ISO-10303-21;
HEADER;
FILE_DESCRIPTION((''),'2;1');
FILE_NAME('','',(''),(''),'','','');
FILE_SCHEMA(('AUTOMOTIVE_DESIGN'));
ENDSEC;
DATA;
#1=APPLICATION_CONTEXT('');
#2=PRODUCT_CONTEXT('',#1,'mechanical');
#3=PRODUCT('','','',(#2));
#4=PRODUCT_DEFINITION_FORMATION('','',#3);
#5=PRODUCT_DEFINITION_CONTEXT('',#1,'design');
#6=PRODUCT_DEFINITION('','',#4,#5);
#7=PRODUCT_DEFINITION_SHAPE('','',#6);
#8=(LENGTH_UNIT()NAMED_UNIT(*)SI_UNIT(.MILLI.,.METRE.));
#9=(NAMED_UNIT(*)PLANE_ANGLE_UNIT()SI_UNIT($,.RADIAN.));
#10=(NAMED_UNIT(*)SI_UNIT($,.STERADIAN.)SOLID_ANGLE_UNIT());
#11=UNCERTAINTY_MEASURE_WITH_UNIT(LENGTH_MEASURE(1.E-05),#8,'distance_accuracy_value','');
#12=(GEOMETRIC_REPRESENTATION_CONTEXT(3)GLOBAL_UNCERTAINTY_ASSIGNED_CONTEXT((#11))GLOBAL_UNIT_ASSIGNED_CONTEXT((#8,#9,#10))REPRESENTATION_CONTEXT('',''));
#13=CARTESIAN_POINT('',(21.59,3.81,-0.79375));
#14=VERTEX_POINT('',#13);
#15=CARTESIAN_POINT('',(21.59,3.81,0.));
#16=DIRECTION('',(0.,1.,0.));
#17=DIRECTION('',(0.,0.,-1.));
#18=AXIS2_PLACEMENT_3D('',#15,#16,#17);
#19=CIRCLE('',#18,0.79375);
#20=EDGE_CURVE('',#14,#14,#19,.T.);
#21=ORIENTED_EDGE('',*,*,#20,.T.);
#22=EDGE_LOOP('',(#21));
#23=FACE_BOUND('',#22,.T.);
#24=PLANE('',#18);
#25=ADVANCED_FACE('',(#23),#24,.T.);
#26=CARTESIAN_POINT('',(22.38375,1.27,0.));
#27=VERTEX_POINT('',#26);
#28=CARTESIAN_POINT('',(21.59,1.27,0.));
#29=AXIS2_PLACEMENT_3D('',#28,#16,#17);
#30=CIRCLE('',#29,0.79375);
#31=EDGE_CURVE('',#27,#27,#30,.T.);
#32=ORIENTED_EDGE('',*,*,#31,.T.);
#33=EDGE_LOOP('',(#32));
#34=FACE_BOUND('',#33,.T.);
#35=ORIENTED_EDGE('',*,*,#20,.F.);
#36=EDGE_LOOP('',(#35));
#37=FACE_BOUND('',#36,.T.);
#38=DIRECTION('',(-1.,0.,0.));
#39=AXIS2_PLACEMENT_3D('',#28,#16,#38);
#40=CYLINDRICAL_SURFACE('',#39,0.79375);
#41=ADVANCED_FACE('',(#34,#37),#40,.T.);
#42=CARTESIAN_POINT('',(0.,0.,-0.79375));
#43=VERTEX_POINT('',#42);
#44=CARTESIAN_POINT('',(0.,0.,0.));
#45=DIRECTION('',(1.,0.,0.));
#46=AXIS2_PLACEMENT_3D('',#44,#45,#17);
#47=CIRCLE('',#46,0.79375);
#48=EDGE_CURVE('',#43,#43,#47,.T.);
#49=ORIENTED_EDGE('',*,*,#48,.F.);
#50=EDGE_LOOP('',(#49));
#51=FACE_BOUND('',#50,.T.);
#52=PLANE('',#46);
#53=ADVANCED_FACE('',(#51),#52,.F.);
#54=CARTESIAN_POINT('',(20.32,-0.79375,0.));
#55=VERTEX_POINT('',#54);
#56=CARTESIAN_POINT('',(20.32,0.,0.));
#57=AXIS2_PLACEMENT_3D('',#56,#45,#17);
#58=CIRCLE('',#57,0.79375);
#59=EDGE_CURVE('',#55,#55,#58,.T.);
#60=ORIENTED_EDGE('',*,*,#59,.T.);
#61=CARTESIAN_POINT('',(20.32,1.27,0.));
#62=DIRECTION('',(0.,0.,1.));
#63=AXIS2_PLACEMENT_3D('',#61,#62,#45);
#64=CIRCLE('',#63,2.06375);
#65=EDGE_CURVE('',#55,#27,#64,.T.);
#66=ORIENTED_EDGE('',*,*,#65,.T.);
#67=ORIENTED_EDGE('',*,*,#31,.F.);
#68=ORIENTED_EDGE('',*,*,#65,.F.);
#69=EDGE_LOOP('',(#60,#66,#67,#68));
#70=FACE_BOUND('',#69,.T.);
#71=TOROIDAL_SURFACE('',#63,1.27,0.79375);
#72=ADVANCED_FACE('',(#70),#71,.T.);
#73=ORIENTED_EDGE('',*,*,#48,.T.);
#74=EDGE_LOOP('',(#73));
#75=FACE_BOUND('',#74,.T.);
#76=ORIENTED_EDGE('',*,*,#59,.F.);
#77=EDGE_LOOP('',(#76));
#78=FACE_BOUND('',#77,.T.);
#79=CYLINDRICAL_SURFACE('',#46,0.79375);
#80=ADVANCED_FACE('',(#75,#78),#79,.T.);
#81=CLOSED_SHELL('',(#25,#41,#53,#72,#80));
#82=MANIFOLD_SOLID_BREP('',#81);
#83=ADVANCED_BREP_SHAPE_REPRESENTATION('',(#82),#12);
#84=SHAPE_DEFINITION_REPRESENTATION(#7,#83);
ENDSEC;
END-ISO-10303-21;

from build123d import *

# Parameters (mm, degrees)
SKETCH1_R = 0.79375


with BuildPart() as part:
    # Sweep1: sweep along a path in Sketch2
    with BuildLine(Plane.XY) as sweep1_path:
        Line((0, 0), (20.32, 0))
        ThreePointArc((20.32, 0), (21.218025612, 0.371974388), (21.59, 1.27))
        Line((21.59, 1.27), (21.59, 3.81))
    # Sketch1 → Sweep1 (sweep)
    with BuildSketch(Plane(origin=(0, 0, 0), x_dir=(0, 0, -1), z_dir=(1, 0, 0))):
        Circle(SKETCH1_R)
    sweep(path=sweep1_path.line)


solid = part.part
